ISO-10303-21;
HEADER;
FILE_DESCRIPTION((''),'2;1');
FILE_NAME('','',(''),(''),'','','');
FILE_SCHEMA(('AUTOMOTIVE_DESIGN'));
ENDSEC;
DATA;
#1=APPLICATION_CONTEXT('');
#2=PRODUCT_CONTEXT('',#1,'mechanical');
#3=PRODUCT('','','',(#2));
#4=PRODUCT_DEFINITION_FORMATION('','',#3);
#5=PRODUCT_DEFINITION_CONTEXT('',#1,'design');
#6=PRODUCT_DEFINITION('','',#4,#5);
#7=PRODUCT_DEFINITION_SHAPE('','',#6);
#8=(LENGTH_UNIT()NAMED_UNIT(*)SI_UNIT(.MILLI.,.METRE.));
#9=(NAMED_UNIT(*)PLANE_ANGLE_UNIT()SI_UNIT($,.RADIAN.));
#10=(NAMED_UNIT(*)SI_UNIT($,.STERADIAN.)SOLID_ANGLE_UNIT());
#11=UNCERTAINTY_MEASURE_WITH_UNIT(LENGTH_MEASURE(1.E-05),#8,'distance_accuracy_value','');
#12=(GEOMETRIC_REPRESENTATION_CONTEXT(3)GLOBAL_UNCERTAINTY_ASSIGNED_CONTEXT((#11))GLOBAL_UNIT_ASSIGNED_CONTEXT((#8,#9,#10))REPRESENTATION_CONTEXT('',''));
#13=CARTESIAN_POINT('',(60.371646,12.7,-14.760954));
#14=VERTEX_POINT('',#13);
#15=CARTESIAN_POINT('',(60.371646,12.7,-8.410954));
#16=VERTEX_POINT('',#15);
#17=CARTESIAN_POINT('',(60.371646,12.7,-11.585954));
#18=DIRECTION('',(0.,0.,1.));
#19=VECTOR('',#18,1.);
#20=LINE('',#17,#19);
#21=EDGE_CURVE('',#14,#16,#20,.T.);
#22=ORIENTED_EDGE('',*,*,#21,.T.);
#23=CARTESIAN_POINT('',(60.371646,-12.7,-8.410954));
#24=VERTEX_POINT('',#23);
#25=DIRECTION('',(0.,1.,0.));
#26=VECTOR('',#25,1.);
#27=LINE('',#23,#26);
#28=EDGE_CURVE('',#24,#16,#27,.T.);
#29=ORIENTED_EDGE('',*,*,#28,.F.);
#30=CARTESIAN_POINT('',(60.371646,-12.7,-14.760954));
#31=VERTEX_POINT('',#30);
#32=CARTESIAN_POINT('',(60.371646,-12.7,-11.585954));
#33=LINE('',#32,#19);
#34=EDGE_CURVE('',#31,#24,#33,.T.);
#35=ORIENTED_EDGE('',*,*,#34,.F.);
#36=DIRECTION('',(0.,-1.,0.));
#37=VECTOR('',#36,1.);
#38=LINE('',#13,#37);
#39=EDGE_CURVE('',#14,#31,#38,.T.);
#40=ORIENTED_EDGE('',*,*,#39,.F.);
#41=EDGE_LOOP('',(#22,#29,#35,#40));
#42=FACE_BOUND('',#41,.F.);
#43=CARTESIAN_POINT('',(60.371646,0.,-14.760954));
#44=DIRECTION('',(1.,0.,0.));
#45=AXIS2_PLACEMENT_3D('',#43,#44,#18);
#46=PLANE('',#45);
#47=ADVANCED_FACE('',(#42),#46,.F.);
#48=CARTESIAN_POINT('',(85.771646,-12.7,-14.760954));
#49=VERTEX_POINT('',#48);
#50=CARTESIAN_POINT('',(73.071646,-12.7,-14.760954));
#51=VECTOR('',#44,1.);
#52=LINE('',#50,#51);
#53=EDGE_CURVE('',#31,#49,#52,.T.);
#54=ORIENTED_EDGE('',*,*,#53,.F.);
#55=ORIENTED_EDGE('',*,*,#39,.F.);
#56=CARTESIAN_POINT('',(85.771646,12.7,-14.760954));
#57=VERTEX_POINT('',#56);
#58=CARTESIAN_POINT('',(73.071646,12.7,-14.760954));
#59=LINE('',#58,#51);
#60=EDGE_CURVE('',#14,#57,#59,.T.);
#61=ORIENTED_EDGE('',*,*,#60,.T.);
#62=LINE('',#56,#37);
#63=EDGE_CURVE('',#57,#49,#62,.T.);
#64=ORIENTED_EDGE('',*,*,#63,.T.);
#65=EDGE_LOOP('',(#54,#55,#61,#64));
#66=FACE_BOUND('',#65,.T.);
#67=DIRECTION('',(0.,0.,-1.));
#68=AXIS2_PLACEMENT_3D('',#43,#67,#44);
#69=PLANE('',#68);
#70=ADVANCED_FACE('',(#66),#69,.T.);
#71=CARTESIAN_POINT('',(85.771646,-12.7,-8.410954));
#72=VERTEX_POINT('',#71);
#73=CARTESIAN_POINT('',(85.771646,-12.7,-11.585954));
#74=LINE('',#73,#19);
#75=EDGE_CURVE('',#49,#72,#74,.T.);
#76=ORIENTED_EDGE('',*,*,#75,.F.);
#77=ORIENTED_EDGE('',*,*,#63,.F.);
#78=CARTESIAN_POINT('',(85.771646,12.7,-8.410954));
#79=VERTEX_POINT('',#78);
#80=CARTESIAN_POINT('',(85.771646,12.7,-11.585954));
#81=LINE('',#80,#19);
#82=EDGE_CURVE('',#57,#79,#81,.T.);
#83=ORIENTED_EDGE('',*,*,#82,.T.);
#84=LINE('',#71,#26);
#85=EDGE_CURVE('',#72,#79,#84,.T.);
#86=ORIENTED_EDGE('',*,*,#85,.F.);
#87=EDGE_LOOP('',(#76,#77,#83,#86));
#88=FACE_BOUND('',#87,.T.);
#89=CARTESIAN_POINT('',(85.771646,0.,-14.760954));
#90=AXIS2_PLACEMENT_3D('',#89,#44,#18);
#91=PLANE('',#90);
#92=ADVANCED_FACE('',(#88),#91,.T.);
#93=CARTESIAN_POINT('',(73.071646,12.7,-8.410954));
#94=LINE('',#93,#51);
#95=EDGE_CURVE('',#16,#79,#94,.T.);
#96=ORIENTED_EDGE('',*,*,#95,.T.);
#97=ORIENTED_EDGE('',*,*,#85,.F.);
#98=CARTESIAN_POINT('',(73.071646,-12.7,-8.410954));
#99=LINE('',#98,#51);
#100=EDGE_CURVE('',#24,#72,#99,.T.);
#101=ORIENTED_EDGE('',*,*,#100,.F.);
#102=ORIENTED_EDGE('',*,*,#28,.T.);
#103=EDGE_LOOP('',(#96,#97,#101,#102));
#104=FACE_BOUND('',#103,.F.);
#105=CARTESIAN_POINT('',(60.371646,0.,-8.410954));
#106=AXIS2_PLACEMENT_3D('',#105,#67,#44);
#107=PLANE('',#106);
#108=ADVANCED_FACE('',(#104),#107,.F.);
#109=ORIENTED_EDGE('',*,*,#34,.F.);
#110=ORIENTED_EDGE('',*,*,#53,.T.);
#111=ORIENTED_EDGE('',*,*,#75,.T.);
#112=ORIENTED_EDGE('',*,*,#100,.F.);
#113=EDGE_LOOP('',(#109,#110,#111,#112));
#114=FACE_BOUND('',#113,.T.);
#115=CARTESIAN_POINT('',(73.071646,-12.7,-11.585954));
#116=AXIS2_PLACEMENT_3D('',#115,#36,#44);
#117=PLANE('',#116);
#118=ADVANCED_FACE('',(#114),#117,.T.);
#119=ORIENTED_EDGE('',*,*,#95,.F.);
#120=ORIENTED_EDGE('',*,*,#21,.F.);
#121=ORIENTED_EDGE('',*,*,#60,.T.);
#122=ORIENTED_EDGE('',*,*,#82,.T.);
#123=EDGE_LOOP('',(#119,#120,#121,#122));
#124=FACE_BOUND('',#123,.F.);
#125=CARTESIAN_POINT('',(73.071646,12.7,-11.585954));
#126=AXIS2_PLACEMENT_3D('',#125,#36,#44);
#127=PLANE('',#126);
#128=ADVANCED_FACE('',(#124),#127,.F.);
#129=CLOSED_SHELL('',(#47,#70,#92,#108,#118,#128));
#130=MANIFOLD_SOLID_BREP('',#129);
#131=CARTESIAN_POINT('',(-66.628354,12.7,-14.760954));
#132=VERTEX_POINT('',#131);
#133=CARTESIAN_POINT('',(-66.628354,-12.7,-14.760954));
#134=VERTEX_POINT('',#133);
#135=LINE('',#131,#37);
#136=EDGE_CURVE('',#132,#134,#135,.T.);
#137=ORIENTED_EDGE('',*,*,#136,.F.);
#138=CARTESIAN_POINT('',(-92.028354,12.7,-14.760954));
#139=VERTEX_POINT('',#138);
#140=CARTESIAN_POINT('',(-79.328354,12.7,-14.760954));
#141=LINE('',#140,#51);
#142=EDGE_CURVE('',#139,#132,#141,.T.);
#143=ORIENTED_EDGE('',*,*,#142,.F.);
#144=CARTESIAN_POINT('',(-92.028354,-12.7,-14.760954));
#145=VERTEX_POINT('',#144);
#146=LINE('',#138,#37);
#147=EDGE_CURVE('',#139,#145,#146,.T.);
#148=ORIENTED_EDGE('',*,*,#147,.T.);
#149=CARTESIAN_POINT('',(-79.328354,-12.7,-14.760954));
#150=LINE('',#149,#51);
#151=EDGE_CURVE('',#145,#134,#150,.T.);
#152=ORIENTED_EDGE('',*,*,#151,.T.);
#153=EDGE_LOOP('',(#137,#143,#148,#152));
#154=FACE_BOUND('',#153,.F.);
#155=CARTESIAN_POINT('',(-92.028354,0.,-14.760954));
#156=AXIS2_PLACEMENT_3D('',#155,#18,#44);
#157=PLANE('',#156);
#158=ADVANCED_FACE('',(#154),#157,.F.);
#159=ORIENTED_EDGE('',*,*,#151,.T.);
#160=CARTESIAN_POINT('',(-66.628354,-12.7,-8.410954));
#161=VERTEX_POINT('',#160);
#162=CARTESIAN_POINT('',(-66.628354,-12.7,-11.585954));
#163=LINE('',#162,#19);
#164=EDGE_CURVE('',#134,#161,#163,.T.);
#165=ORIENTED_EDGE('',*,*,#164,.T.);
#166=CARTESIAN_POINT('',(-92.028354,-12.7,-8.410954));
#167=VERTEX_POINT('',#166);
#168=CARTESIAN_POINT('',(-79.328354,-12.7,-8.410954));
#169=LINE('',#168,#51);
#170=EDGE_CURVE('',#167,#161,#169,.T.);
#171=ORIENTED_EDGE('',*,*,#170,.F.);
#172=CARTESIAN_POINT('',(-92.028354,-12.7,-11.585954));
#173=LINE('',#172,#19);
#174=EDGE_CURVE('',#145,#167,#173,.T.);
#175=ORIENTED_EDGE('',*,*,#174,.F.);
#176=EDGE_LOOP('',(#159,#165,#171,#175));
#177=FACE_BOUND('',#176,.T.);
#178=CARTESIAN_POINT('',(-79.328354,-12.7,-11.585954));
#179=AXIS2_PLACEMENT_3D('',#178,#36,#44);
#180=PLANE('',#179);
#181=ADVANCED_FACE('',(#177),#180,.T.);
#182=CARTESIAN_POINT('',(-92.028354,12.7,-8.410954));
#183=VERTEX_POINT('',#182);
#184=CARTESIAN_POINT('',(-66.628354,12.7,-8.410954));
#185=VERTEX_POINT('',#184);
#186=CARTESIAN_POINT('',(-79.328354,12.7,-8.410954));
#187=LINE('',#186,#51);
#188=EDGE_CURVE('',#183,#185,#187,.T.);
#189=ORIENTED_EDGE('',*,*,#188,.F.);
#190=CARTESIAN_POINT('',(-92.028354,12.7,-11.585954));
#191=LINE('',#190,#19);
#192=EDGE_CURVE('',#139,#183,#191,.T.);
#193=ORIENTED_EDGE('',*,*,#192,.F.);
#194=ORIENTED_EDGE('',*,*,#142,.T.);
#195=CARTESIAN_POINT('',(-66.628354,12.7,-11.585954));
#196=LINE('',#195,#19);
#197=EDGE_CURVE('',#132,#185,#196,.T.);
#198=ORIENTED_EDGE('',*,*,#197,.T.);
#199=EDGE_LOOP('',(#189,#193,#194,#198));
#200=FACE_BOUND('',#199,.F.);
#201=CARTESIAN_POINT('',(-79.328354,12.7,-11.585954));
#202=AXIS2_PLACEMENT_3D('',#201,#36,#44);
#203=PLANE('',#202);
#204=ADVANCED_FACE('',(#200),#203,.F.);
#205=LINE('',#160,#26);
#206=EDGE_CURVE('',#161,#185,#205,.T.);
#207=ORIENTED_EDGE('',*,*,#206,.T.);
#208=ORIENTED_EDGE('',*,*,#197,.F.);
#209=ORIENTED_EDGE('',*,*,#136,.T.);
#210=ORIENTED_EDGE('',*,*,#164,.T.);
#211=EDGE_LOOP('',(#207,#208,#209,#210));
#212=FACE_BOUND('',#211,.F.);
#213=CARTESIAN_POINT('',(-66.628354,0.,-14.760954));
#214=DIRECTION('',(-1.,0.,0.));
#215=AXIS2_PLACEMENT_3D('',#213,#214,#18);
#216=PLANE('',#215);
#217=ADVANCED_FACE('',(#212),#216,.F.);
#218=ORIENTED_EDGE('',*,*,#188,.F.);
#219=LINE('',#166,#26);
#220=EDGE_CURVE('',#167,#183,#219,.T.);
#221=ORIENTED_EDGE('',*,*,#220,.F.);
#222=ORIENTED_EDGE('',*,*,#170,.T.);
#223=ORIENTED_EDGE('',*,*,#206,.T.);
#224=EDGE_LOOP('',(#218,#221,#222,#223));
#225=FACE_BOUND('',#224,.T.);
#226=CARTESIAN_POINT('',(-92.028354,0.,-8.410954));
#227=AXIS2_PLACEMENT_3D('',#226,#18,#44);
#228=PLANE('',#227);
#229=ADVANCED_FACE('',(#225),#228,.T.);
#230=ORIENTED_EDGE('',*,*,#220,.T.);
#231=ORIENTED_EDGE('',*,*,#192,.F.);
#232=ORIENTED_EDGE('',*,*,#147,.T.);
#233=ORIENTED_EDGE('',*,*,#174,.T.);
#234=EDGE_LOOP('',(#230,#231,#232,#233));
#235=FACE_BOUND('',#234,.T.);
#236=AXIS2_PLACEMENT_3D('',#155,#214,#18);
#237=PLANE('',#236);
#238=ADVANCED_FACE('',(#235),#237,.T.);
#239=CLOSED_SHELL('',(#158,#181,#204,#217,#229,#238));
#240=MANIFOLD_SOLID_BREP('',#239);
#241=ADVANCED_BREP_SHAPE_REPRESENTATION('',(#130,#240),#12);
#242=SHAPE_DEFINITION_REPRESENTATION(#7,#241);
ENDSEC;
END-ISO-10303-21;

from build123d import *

# Parameters (mm, degrees)
F0_W     = 25.4
F0_H     = 6.35
F1_DEPTH = 12.7


with BuildPart() as f1:
    # F0 (on Front) → F1 (new body, symmetric)
    with BuildSketch(Plane.XZ):
        with Locations((-79.328354, -11.585954)):
            Rectangle(F0_W, F0_H)
        with Locations((73.071646, -11.585954)):
            Rectangle(F0_W, F0_H)
    extrude(amount=F1_DEPTH, both=True)


solid = f1.part
